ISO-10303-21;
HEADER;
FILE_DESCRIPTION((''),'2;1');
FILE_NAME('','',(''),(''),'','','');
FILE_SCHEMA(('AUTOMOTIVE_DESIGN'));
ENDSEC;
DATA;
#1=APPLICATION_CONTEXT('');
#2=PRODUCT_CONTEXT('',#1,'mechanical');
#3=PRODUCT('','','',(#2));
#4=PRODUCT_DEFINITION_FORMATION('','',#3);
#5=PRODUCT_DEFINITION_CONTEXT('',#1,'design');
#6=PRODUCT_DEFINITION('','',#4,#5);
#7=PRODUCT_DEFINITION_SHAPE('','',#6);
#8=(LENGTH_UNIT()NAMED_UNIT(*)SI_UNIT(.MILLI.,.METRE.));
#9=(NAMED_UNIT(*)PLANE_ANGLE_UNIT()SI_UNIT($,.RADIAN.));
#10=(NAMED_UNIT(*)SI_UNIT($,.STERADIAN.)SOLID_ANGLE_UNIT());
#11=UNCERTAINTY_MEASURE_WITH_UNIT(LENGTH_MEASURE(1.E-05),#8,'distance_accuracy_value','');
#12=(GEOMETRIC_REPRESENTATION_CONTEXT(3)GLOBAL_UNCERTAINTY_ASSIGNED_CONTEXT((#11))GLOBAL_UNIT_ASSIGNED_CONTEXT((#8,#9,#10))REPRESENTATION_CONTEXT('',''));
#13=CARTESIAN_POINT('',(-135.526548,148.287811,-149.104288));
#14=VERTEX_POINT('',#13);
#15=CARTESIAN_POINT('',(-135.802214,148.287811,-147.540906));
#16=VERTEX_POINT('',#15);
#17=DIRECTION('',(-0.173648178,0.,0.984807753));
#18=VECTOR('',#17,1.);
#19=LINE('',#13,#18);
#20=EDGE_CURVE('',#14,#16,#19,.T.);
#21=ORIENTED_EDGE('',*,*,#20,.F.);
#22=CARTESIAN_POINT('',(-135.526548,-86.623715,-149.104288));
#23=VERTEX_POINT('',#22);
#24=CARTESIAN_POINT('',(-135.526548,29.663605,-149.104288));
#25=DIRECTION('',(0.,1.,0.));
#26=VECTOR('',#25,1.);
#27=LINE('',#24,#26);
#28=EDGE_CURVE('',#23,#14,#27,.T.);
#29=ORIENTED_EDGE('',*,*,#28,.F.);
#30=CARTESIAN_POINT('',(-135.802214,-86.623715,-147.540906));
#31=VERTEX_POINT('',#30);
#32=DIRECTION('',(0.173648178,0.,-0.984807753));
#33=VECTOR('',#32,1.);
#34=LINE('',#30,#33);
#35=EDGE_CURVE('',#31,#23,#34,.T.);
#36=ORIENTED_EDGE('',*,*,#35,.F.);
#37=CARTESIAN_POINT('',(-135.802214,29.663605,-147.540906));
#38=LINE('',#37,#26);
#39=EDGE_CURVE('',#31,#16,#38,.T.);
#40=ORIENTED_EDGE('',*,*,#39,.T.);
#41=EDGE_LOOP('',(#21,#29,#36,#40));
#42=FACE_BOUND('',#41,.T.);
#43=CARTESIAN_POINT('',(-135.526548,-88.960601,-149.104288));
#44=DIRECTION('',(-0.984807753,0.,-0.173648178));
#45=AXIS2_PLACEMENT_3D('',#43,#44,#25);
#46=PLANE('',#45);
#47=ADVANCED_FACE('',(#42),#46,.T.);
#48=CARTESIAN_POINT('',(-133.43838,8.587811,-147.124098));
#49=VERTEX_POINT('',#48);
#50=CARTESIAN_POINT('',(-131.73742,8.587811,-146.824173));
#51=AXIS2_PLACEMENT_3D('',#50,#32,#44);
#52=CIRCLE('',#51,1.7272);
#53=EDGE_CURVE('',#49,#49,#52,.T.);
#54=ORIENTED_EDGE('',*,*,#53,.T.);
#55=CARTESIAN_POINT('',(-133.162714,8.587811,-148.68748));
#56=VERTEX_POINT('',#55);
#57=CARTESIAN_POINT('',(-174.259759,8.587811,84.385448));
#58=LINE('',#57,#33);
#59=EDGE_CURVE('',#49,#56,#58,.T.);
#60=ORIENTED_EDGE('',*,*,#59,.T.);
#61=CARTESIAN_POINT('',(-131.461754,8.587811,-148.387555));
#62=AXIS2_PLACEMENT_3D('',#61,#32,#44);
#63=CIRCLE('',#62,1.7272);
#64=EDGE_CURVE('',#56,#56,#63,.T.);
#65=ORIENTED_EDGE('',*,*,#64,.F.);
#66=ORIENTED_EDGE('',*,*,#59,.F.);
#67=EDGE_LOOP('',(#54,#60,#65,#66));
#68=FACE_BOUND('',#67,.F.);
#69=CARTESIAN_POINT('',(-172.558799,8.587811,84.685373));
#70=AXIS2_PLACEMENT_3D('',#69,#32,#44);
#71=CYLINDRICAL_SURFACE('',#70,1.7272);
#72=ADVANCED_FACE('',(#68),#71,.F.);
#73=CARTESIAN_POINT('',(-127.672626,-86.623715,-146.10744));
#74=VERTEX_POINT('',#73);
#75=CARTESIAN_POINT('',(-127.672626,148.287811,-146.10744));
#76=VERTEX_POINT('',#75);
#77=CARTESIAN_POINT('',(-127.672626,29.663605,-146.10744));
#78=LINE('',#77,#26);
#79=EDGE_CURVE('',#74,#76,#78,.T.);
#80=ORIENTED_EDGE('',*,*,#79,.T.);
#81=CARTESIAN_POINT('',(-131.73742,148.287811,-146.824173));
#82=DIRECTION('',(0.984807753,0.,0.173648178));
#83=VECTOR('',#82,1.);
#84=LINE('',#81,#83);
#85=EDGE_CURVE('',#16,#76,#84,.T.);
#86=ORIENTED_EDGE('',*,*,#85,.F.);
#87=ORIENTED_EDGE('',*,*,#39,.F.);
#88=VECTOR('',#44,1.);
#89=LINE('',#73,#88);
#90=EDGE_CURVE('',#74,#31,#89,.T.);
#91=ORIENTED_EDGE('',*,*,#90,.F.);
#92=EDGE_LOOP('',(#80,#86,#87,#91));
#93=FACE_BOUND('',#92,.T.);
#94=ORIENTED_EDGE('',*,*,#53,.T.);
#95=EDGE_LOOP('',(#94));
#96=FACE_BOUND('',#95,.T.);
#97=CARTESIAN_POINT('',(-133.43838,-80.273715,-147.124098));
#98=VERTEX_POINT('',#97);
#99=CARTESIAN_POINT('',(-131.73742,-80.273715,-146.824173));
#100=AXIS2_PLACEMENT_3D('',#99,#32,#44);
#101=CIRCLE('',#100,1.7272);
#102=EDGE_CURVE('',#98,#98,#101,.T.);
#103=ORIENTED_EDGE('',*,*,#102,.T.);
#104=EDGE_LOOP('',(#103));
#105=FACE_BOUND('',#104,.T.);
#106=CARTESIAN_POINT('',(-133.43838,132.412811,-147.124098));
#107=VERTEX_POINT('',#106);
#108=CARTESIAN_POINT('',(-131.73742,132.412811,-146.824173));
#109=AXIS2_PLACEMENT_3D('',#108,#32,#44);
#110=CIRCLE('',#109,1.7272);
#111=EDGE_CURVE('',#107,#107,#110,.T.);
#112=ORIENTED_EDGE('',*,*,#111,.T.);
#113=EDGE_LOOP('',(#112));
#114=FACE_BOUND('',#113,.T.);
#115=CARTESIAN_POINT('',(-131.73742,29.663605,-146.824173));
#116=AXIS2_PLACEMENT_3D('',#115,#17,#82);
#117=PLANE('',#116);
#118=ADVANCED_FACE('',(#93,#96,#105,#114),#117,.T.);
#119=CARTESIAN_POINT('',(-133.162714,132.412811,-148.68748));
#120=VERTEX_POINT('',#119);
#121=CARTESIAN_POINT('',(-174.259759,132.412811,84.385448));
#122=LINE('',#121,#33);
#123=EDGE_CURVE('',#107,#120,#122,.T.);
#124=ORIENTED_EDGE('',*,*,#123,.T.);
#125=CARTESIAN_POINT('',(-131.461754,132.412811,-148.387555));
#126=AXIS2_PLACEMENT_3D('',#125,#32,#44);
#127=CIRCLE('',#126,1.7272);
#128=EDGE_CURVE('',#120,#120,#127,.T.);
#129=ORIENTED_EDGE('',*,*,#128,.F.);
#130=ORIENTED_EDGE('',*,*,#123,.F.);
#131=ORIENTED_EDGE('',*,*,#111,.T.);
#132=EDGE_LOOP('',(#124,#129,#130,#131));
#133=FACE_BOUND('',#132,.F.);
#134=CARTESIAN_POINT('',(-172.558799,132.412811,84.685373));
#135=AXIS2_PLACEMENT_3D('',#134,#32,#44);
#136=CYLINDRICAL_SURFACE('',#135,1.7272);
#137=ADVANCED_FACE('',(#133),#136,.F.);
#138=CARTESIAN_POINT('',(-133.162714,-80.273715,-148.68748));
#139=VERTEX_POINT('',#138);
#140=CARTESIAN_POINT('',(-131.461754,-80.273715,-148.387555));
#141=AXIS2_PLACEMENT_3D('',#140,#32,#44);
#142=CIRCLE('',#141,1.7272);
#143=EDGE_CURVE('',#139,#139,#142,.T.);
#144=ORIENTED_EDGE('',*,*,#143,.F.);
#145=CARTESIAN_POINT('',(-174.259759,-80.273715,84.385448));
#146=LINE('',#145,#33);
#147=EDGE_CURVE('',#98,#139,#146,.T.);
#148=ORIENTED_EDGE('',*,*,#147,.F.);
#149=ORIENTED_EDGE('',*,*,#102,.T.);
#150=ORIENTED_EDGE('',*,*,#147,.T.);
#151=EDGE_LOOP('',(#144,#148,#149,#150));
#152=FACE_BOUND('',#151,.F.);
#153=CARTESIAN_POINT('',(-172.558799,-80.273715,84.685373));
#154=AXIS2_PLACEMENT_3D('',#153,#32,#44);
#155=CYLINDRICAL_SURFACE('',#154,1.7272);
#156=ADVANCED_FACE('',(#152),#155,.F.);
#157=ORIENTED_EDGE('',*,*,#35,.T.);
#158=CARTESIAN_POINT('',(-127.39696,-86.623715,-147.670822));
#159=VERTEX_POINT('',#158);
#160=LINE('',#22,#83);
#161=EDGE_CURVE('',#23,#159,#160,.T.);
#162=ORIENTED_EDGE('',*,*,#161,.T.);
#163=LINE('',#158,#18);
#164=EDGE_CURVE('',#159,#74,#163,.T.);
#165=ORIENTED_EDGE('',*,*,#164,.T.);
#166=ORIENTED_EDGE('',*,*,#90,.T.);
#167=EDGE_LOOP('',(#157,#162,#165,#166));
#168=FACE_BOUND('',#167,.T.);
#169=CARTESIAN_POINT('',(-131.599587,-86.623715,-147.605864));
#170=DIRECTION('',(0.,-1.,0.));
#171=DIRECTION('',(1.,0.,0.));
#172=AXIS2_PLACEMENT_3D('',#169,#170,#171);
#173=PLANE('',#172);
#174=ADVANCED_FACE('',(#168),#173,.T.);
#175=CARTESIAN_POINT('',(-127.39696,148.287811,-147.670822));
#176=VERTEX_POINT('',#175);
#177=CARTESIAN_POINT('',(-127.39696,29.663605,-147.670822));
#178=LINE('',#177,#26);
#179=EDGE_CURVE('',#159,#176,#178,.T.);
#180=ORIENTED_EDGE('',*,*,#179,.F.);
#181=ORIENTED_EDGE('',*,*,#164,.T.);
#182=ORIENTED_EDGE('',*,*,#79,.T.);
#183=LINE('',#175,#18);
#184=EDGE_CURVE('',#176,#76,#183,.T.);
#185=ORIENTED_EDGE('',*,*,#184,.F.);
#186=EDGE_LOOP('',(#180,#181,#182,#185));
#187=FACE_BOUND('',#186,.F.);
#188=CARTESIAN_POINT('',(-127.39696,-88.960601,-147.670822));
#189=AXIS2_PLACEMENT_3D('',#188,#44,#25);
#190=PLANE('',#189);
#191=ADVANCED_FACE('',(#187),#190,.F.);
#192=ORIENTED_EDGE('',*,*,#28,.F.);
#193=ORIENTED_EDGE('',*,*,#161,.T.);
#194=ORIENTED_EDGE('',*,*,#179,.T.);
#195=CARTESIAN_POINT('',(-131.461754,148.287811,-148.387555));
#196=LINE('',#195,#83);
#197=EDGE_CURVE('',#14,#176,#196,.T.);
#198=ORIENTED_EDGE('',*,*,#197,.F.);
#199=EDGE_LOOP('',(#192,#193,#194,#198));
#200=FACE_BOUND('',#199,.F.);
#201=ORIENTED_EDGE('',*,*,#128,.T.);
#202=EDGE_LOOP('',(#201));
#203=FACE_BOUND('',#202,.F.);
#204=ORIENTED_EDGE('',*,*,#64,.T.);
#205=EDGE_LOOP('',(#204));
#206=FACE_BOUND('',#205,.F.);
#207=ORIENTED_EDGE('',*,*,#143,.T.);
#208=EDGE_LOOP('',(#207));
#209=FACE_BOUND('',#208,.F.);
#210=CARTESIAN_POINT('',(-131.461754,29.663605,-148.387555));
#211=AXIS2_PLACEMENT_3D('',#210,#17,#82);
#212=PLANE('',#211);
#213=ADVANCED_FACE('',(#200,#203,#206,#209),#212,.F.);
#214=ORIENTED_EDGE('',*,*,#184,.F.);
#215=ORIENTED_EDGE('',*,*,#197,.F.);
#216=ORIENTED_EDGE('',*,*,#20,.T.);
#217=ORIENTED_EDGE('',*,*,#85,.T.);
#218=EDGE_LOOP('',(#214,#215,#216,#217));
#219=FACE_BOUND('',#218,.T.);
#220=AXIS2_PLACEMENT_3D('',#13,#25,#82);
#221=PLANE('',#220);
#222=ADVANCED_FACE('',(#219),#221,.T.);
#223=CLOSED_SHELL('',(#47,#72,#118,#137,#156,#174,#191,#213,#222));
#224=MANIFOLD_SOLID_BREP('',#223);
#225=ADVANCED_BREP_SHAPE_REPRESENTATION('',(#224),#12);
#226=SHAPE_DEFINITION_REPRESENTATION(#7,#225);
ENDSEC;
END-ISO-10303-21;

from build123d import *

# Parameters (mm, degrees)
SKETCH1_W             = 8.255
SKETCH1_H             = 237.248411897
BOSS_EXTRUDE1_DEPTH   = 1.5875
CUT_EXTRUDE1_DEPTH    = 2.336885598
F_4_CLEARANCE_HOLE1_D = 3.4544


with BuildPart() as part:
    # Sketch1 → Boss-Extrude1 (new body)
    with BuildSketch(Plane(origin=(23.448725568, 0, -121.072657859), x_dir=(0.9848077530122085, 0, 0.17364817766692836), z_dir=(-0.17364817766692836, 0, 0.9848077530122085))):
        with Locations((-157.300223262, 29.663605247)):
            Rectangle(SKETCH1_W, SKETCH1_H)
    extrude(amount=BOSS_EXTRUDE1_DEPTH)

    # Sketch6 → Cut-Extrude1 (cut)
    with BuildSketch(Plane.XZ.offset(88.960600702)):
        Polygon((-135.526547851, -149.104287829), (-127.39695985, -147.670822122), (-127.672626332, -146.107439814), (-135.802214333, -147.540905521), align=None)
    extrude(amount=-CUT_EXTRUDE1_DEPTH, mode=Mode.SUBTRACT)

    # #4 Clearance Hole1 (through all)
    with Locations(Plane(origin=(21.136043007, 0, -119.868456446), x_dir=(0.9848077530122086, 0, 0.17364817766692783), z_dir=(-0.1736481776669278, 0, 0.9848077530122085))):
        with Locations((-155.231782926, -80.273715104), (-155.231782926, 132.412811195), (-155.231782926, 8.587811195)):
            Hole(F_4_CLEARANCE_HOLE1_D / 2)


solid = part.part
